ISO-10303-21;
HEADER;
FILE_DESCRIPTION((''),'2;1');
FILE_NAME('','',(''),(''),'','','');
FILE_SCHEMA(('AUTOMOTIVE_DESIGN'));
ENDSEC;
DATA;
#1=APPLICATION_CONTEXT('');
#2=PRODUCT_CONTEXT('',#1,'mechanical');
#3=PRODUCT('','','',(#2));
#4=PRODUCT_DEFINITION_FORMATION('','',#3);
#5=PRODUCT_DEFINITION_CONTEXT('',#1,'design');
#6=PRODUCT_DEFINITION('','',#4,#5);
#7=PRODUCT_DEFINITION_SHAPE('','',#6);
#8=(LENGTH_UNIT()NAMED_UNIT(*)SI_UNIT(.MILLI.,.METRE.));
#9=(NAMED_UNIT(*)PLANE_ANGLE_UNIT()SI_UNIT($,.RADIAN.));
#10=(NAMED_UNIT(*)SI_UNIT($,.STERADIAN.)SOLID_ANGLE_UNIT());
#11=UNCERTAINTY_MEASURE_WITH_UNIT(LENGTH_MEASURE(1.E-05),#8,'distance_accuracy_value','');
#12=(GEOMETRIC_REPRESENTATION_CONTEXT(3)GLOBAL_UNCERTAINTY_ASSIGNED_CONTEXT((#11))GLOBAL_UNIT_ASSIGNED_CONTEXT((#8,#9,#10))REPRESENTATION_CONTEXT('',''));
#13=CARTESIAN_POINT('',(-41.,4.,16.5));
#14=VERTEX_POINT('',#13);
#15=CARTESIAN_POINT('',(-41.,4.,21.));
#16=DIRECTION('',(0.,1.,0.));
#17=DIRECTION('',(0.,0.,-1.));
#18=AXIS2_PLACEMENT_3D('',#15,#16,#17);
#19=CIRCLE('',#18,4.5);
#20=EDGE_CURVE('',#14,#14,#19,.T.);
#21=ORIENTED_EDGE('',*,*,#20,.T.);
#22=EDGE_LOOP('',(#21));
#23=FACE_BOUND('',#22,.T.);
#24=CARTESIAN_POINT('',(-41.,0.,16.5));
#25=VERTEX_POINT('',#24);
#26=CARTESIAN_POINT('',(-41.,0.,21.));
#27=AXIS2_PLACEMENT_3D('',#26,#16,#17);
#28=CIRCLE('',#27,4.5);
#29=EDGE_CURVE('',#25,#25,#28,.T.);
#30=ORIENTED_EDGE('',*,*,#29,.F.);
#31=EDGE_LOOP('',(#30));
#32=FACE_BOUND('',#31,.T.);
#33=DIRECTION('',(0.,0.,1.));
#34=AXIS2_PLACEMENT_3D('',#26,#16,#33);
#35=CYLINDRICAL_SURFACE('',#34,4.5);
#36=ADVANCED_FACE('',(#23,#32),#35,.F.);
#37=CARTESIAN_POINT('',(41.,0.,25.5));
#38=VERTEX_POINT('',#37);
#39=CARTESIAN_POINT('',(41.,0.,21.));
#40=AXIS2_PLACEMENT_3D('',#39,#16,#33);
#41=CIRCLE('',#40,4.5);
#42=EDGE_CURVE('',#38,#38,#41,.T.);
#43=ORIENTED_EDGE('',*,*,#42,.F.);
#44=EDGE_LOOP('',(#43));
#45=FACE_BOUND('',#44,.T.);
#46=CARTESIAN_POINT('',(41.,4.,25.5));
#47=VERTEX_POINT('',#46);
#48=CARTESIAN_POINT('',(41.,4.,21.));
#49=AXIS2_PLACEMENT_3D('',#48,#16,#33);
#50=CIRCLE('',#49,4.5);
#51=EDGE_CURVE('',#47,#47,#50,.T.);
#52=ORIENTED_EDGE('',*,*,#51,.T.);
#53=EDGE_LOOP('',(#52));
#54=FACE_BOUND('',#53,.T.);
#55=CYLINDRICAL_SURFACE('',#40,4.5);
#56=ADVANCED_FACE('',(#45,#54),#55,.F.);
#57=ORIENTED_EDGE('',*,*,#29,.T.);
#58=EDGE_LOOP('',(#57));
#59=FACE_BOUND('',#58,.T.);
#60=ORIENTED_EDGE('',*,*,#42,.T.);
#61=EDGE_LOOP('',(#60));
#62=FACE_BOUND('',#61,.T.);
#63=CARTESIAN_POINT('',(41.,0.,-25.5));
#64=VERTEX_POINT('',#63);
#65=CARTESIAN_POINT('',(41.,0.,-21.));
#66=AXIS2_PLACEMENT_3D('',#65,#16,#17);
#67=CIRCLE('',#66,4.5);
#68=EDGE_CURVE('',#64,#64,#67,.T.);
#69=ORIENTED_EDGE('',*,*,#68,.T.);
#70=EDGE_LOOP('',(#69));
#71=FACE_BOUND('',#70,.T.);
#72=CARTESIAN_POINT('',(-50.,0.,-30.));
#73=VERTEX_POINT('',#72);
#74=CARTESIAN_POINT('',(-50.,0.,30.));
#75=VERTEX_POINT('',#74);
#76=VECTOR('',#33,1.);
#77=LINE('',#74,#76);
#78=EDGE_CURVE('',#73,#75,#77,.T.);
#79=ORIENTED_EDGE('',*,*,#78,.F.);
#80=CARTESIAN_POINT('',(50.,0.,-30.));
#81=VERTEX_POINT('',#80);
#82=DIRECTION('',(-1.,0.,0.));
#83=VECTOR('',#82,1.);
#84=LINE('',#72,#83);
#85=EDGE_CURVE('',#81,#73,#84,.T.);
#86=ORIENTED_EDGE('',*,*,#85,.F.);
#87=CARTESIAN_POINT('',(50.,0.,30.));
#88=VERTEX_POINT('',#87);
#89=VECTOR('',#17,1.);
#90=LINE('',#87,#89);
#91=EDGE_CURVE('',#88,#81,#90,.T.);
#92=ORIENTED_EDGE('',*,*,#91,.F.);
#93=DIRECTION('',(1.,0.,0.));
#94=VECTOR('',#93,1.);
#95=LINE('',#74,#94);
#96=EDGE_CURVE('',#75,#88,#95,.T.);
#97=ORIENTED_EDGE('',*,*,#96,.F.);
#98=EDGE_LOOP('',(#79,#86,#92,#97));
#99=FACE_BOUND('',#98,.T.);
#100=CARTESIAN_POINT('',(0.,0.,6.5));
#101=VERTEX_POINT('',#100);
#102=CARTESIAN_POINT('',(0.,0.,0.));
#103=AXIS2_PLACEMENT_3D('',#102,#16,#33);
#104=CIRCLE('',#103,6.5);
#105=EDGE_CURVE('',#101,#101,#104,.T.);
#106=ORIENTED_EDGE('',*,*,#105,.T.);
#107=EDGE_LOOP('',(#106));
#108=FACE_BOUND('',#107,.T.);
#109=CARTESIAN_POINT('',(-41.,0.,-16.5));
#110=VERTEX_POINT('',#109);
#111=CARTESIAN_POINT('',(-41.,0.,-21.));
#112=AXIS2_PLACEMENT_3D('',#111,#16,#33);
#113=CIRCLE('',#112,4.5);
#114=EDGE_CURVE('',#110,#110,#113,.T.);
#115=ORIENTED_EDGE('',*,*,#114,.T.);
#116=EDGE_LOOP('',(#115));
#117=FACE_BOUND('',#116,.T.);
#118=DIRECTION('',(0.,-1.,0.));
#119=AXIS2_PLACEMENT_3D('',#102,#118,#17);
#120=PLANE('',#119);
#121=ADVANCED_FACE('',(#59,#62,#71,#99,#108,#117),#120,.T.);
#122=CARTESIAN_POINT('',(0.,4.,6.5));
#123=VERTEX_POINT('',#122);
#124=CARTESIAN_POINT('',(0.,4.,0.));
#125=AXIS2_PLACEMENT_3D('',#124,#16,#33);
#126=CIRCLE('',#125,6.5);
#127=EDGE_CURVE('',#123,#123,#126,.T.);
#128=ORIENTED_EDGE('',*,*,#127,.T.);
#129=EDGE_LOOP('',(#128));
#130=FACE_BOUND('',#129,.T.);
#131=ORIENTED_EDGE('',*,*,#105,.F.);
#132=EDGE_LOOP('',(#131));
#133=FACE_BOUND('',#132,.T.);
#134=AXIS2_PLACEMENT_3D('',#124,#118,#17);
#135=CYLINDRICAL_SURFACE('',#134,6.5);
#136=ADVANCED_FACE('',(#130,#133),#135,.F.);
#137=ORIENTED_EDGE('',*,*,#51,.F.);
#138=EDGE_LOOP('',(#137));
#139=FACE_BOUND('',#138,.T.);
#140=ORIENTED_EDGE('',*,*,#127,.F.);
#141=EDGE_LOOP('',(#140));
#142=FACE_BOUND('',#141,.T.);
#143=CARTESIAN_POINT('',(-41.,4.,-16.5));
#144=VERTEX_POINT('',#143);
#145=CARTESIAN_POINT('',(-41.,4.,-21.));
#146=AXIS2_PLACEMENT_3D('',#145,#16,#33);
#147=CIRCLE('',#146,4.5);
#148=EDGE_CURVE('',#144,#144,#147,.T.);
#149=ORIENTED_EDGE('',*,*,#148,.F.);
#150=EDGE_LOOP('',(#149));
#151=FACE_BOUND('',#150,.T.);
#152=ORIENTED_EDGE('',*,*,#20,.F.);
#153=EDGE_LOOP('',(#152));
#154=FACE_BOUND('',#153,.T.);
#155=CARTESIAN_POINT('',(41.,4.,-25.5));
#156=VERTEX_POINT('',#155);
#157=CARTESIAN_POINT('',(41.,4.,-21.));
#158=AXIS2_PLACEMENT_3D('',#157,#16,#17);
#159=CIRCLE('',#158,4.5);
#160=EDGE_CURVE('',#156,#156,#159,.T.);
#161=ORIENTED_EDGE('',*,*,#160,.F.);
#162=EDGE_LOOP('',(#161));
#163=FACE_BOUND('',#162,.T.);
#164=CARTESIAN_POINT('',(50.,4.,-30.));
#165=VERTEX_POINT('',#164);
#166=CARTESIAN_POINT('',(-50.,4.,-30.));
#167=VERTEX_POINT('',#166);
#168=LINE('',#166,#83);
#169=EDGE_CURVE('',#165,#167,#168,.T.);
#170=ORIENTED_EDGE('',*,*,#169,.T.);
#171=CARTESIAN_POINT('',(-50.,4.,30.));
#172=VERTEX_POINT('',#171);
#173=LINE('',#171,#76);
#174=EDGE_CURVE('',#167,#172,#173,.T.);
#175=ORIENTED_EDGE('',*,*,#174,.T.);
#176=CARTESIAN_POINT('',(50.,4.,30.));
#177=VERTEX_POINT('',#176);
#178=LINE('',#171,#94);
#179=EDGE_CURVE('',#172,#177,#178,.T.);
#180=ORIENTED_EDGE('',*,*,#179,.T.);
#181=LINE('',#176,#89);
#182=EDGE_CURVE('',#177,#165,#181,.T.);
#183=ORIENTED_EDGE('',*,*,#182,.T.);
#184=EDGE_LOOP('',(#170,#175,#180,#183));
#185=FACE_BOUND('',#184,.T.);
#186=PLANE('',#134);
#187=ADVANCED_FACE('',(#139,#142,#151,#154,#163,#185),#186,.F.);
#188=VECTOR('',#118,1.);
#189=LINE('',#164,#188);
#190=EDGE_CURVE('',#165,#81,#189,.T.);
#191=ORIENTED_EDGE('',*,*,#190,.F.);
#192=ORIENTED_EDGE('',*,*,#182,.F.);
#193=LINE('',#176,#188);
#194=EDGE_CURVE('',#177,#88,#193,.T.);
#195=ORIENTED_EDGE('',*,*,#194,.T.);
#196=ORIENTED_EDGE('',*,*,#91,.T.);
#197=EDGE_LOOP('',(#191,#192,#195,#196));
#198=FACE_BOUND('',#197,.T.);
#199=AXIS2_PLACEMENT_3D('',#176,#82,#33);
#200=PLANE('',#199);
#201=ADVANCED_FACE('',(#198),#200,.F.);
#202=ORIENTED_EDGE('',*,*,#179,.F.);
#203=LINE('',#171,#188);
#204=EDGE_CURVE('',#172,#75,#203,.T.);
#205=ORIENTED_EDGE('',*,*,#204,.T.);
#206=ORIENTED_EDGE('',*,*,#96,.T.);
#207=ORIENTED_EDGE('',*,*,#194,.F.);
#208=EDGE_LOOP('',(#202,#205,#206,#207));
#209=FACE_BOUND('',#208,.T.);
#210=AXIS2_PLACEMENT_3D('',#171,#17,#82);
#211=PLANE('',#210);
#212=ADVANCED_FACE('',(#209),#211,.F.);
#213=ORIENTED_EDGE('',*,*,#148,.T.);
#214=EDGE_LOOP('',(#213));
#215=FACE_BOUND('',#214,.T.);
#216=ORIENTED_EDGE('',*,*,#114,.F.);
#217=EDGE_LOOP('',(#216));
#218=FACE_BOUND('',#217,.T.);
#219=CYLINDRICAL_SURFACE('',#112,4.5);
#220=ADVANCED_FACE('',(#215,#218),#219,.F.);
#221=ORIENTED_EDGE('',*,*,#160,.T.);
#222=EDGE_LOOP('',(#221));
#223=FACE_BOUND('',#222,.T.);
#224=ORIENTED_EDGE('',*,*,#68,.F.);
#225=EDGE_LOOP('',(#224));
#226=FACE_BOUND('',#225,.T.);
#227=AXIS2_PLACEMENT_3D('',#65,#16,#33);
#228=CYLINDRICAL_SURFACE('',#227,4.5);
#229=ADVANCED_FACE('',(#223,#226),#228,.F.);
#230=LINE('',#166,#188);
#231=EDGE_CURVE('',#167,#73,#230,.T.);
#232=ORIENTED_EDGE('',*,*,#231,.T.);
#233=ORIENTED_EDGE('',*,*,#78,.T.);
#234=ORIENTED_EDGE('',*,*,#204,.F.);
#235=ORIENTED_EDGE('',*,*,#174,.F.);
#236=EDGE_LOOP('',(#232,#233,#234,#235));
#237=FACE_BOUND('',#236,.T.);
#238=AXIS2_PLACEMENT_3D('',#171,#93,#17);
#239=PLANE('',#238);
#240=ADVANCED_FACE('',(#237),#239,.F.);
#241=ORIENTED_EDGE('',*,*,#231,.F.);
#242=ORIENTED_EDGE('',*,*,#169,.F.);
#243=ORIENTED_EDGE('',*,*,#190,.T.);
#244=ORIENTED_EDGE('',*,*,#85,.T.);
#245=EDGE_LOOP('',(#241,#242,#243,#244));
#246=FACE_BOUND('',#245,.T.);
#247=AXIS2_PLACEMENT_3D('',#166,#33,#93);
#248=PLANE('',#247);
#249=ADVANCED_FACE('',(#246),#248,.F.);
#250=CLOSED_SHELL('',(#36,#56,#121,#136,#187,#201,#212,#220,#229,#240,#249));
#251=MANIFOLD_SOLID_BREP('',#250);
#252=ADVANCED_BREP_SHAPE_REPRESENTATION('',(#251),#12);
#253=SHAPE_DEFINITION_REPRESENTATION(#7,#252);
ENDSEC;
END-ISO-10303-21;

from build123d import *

# Parameters (mm, degrees)
SKETCH1_W           = 100
SKETCH1_H           = 60
SKETCH1_R           = 6.5
BOSS_EXTRUDE1_DEPTH = 4
SKETCH2_R           = 4.5
CUT_EXTRUDE1_DEPTH  = 5


with BuildPart() as part:
    # Sketch1 → Boss-Extrude1 (new body)
    with BuildSketch(Plane(origin=(0, 0, 0), x_dir=(1, 0, 0), z_dir=(0, 1, 0))):
        Rectangle(SKETCH1_W, SKETCH1_H)
        Circle(SKETCH1_R, mode=Mode.SUBTRACT)
    extrude(amount=BOSS_EXTRUDE1_DEPTH)

    # Sketch2 → Cut-Extrude1 (cut, through all)
    with BuildSketch(Plane(origin=(0, 4, 0), x_dir=(1, 0, 0), z_dir=(0, 1, 0))):
        with Locations((-41, 21)):
            Circle(SKETCH2_R)
        with Locations((41, 21)):
            Circle(SKETCH2_R)
        with Locations((41, -21)):
            Circle(SKETCH2_R)
        with Locations((-41, -21)):
            Circle(SKETCH2_R)
    extrude(amount=-CUT_EXTRUDE1_DEPTH, mode=Mode.SUBTRACT)


solid = part.part
